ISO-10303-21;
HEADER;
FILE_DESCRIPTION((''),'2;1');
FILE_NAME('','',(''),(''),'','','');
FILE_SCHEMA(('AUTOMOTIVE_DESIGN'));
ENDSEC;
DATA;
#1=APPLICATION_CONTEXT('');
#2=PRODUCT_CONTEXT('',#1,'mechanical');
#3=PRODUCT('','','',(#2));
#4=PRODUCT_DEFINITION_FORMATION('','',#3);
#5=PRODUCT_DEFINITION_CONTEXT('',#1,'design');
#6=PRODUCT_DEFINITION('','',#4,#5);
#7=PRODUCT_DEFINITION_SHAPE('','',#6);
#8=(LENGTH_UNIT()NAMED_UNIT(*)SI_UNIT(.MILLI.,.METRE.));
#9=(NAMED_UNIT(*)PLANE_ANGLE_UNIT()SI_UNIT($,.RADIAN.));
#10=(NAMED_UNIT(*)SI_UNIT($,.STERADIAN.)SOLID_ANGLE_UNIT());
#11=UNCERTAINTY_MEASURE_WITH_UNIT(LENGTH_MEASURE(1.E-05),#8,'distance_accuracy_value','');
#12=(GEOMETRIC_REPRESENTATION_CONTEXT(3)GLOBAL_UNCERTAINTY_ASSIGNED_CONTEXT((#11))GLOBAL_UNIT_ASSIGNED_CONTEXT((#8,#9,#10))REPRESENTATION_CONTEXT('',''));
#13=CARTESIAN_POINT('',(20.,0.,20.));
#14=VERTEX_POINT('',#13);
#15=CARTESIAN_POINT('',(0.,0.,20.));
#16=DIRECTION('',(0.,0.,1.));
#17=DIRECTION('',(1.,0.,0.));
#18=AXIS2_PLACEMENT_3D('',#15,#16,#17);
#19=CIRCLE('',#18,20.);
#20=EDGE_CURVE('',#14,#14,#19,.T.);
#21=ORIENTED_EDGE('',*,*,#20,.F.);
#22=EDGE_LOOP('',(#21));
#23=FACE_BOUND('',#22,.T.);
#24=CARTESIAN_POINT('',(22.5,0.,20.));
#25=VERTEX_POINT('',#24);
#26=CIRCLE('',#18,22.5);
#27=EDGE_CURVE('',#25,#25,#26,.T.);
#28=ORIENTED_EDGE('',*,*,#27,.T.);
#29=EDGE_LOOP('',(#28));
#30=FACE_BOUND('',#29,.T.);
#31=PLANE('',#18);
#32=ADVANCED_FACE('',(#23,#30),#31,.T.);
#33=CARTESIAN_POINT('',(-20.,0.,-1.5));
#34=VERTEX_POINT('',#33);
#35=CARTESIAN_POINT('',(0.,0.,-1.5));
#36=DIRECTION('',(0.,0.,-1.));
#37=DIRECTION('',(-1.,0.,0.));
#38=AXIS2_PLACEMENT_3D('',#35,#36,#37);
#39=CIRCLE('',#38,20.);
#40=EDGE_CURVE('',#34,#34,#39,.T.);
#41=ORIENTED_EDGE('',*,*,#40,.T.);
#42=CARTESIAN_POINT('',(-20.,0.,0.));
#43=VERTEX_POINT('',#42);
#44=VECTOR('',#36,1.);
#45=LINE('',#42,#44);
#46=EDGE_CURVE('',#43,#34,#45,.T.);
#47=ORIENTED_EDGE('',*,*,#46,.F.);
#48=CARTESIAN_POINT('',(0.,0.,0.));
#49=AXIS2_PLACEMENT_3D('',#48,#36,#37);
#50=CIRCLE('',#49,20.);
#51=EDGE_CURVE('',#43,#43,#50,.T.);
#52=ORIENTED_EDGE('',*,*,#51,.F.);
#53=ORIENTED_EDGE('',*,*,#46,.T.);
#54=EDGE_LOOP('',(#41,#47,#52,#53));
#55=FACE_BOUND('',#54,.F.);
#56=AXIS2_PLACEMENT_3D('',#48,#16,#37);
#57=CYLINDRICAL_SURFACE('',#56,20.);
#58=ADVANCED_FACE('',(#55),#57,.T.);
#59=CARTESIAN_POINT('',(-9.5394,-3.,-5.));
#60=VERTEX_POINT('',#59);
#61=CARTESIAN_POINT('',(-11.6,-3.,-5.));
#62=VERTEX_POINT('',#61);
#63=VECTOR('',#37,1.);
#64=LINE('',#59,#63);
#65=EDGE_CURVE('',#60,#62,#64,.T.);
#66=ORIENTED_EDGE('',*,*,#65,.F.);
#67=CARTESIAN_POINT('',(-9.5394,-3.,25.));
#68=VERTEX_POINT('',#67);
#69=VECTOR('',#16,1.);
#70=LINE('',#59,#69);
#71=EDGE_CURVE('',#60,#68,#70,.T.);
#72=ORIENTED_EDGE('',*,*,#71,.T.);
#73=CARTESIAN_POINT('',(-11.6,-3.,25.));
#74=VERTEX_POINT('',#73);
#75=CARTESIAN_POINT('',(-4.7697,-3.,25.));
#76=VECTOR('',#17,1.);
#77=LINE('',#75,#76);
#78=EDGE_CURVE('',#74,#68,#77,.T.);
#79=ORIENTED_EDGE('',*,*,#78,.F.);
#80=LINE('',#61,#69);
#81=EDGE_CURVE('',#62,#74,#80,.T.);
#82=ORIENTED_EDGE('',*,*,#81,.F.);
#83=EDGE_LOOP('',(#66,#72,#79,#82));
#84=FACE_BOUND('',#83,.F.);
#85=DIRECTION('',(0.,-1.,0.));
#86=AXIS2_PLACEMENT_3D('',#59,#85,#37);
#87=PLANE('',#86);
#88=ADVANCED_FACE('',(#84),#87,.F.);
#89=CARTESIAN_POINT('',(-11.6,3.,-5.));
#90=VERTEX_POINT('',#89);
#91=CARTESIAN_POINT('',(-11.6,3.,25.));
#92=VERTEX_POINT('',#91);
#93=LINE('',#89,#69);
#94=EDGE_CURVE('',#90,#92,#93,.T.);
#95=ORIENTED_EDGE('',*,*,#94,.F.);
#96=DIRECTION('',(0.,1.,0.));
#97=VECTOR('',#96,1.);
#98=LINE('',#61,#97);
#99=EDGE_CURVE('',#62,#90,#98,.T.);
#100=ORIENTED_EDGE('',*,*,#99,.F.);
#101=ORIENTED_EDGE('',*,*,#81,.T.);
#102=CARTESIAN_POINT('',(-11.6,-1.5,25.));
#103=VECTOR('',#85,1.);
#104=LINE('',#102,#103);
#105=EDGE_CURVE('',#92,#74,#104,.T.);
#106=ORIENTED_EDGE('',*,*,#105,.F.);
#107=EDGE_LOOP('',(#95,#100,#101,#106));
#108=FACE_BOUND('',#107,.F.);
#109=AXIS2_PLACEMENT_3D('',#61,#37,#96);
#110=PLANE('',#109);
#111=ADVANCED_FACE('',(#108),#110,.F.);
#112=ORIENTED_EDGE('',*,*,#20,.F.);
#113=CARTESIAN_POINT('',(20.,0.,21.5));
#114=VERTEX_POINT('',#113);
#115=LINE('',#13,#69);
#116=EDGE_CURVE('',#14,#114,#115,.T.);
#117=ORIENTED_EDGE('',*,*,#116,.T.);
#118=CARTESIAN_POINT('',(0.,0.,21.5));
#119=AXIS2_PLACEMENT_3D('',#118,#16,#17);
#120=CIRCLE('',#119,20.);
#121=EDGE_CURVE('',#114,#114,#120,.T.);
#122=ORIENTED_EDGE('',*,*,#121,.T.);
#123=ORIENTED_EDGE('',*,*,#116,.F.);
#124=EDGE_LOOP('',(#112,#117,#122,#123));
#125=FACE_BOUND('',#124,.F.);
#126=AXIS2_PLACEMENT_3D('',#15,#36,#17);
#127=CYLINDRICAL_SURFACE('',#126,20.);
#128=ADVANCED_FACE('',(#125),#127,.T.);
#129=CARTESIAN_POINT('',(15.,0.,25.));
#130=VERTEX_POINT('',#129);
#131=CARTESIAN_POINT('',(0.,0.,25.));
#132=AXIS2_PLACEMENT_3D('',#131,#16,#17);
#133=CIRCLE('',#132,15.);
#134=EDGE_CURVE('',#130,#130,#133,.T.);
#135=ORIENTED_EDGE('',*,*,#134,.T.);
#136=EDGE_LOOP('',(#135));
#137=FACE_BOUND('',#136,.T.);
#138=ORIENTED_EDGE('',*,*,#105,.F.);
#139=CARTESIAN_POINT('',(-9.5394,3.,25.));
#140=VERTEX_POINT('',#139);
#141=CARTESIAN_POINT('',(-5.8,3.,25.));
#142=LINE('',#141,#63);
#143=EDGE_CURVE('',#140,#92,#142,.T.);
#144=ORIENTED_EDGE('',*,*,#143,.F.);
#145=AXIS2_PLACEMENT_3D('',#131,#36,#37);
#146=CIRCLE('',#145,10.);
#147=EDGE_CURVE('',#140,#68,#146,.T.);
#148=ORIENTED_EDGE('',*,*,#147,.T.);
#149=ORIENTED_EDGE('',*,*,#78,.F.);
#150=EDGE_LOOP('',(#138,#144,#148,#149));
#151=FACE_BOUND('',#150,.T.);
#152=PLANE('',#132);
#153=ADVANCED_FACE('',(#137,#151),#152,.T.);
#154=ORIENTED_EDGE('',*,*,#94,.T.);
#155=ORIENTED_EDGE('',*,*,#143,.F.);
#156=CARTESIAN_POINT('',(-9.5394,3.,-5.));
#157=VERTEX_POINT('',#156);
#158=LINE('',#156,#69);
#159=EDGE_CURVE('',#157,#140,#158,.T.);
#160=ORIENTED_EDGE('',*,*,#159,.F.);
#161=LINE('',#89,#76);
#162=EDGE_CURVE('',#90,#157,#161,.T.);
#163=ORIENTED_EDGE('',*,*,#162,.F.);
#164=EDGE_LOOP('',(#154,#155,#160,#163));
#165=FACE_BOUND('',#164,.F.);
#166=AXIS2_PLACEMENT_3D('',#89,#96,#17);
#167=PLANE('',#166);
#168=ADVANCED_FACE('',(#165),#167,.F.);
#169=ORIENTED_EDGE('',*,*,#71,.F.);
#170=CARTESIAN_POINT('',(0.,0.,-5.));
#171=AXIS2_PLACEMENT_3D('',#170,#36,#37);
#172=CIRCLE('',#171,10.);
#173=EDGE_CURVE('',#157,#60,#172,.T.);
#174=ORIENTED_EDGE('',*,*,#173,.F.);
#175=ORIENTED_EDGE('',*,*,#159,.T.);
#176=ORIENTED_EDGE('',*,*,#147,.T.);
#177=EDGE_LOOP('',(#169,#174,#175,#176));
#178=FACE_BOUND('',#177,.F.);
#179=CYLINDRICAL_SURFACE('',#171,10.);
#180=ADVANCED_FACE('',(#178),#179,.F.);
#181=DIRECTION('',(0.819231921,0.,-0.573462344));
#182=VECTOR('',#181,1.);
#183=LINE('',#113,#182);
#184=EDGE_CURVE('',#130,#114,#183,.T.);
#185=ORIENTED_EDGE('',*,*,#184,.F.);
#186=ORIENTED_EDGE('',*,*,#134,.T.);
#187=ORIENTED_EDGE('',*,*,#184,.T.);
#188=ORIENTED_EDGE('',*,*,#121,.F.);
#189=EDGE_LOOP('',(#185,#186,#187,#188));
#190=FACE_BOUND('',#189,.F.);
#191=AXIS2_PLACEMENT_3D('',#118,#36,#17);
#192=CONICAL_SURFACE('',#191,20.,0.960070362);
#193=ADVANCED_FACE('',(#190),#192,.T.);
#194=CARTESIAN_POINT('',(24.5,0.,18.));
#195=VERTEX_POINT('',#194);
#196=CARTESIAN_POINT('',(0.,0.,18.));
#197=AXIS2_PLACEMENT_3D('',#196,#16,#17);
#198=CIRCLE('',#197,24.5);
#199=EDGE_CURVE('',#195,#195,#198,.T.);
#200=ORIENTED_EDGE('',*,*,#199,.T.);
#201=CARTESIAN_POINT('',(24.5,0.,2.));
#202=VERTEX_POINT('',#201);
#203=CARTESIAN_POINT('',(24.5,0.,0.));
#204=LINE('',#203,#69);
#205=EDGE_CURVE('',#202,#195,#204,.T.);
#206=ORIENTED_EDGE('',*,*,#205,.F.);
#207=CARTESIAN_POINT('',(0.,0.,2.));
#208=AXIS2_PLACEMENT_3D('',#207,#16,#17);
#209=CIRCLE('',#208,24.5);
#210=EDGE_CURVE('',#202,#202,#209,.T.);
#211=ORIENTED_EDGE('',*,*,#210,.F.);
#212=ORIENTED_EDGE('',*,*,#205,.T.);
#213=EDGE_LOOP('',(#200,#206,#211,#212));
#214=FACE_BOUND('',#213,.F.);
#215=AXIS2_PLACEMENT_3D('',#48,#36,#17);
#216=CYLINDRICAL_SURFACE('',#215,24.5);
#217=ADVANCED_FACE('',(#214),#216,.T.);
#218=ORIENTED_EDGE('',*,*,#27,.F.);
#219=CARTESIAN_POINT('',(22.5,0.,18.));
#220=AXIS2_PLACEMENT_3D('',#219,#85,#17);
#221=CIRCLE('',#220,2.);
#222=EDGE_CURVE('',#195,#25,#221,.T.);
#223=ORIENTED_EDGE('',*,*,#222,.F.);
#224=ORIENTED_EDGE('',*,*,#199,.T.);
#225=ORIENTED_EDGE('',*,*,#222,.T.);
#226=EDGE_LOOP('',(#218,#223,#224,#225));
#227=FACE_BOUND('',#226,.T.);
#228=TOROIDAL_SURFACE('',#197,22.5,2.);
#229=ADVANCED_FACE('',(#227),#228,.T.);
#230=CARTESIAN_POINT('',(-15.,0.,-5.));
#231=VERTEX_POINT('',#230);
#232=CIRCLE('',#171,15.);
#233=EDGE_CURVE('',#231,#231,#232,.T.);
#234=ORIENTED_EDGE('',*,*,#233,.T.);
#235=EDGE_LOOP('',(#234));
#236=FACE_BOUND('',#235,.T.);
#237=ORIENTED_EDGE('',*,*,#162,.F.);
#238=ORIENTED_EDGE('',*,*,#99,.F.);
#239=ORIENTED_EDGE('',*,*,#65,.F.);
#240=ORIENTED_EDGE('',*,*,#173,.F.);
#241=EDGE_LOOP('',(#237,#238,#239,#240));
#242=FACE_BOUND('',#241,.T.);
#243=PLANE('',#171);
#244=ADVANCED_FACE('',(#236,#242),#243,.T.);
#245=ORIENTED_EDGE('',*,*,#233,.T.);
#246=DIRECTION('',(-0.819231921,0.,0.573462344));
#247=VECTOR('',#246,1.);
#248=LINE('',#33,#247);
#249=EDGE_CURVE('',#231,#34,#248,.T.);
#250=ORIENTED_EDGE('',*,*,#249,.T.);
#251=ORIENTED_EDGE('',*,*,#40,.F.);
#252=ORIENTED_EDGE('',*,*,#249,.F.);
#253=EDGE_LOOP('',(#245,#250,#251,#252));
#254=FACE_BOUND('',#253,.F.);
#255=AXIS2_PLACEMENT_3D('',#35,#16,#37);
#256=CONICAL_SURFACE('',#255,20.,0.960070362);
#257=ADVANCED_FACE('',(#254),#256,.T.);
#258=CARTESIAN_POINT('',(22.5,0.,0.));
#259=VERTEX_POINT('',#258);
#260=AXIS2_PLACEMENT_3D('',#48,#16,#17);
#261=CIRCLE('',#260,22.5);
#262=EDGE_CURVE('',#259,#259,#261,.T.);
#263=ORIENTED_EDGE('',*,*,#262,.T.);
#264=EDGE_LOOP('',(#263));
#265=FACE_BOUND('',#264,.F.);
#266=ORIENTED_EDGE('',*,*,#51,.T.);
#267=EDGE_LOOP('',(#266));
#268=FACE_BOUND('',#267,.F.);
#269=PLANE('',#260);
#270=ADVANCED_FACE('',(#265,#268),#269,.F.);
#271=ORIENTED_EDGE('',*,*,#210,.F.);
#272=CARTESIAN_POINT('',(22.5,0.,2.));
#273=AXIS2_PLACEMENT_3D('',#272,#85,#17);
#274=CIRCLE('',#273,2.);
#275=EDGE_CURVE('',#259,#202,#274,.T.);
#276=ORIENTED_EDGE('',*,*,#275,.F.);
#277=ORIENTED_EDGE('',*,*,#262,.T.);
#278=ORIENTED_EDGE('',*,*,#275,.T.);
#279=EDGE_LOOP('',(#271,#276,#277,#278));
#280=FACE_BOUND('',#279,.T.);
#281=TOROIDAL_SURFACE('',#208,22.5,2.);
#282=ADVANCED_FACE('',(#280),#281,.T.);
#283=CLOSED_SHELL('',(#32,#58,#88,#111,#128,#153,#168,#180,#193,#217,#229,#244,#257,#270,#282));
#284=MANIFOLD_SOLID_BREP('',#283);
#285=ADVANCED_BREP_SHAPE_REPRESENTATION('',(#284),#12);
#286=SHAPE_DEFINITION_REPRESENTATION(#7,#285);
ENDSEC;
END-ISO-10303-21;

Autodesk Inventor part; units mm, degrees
ref_plane "YZ Plane" through (0, 0, 0) normal (1, 0, 0) x (0, 1, 0)
ref_plane "XZ Plane" through (0, 0, 0) normal (0, 1, 0) x (-1, 0, 0)
ref_plane "XY Plane" through (0, 0, 0) normal (0, 0, 1) x (1, 0, 0)
sketch "草图1" plane through (0, 0, 0) normal (0, 0, 1) x (1, 0, 0)
  circle A0 centre (0, 0) radius 24.5
  dimension "d0" = 49
extrude "拉伸1" add sketch "草图1" along normal blind 20
sketch "草图2" plane through (0, 0, 20) normal (0, 0, 1) x (1, 0, 0)
  circle A0 centre (0, 0) radius 20
  dimension "d3" = 40
extrude "拉伸2" add sketch "草图2" along normal blind 5
chamfer "倒角1" distance 5 distance2 3.5 1 edges at (-20, 0, 25) measured on face at (-2.364, 6.2334, 25)
sketch "草图3" plane through (0, 0, 0) normal (0, 0, -1) x (-1, 0, 0)
  circle A0 centre (0, 0) radius 20
  dimension "d9" = 40
extrude "拉伸3" add sketch "草图3" along normal blind 5
chamfer "倒角2" distance 5 distance2 3.5 1 edges at (20, 0, -5) measured on face at (-7.896, -2.3423, -5)
fillet "圆角1" radius 2 2 edges at (-24.5, 0, 0) (-24.5, 0, 20)
sketch "草图4" plane through (0, 0, -5) normal (0, 0, -1) x (-1, 0, 0)
  circle A0 centre (0, 0) radius 10
  line L0 (11.6, 3) -> (9.5394, 3)
  line L1 (9.5394, 3) -> (9.5394, -3)
  line L2 (9.5394, -3) -> (11.6, -3)
  line L3 (11.6, -3) -> (11.6, 3)
  dimension "d16" = 20
  dimension "d17" = 6
  dimension "d18" = 11.6
extrude "拉伸4" cut sketch "草图4" against normal through all
properties part number "砂轮"
